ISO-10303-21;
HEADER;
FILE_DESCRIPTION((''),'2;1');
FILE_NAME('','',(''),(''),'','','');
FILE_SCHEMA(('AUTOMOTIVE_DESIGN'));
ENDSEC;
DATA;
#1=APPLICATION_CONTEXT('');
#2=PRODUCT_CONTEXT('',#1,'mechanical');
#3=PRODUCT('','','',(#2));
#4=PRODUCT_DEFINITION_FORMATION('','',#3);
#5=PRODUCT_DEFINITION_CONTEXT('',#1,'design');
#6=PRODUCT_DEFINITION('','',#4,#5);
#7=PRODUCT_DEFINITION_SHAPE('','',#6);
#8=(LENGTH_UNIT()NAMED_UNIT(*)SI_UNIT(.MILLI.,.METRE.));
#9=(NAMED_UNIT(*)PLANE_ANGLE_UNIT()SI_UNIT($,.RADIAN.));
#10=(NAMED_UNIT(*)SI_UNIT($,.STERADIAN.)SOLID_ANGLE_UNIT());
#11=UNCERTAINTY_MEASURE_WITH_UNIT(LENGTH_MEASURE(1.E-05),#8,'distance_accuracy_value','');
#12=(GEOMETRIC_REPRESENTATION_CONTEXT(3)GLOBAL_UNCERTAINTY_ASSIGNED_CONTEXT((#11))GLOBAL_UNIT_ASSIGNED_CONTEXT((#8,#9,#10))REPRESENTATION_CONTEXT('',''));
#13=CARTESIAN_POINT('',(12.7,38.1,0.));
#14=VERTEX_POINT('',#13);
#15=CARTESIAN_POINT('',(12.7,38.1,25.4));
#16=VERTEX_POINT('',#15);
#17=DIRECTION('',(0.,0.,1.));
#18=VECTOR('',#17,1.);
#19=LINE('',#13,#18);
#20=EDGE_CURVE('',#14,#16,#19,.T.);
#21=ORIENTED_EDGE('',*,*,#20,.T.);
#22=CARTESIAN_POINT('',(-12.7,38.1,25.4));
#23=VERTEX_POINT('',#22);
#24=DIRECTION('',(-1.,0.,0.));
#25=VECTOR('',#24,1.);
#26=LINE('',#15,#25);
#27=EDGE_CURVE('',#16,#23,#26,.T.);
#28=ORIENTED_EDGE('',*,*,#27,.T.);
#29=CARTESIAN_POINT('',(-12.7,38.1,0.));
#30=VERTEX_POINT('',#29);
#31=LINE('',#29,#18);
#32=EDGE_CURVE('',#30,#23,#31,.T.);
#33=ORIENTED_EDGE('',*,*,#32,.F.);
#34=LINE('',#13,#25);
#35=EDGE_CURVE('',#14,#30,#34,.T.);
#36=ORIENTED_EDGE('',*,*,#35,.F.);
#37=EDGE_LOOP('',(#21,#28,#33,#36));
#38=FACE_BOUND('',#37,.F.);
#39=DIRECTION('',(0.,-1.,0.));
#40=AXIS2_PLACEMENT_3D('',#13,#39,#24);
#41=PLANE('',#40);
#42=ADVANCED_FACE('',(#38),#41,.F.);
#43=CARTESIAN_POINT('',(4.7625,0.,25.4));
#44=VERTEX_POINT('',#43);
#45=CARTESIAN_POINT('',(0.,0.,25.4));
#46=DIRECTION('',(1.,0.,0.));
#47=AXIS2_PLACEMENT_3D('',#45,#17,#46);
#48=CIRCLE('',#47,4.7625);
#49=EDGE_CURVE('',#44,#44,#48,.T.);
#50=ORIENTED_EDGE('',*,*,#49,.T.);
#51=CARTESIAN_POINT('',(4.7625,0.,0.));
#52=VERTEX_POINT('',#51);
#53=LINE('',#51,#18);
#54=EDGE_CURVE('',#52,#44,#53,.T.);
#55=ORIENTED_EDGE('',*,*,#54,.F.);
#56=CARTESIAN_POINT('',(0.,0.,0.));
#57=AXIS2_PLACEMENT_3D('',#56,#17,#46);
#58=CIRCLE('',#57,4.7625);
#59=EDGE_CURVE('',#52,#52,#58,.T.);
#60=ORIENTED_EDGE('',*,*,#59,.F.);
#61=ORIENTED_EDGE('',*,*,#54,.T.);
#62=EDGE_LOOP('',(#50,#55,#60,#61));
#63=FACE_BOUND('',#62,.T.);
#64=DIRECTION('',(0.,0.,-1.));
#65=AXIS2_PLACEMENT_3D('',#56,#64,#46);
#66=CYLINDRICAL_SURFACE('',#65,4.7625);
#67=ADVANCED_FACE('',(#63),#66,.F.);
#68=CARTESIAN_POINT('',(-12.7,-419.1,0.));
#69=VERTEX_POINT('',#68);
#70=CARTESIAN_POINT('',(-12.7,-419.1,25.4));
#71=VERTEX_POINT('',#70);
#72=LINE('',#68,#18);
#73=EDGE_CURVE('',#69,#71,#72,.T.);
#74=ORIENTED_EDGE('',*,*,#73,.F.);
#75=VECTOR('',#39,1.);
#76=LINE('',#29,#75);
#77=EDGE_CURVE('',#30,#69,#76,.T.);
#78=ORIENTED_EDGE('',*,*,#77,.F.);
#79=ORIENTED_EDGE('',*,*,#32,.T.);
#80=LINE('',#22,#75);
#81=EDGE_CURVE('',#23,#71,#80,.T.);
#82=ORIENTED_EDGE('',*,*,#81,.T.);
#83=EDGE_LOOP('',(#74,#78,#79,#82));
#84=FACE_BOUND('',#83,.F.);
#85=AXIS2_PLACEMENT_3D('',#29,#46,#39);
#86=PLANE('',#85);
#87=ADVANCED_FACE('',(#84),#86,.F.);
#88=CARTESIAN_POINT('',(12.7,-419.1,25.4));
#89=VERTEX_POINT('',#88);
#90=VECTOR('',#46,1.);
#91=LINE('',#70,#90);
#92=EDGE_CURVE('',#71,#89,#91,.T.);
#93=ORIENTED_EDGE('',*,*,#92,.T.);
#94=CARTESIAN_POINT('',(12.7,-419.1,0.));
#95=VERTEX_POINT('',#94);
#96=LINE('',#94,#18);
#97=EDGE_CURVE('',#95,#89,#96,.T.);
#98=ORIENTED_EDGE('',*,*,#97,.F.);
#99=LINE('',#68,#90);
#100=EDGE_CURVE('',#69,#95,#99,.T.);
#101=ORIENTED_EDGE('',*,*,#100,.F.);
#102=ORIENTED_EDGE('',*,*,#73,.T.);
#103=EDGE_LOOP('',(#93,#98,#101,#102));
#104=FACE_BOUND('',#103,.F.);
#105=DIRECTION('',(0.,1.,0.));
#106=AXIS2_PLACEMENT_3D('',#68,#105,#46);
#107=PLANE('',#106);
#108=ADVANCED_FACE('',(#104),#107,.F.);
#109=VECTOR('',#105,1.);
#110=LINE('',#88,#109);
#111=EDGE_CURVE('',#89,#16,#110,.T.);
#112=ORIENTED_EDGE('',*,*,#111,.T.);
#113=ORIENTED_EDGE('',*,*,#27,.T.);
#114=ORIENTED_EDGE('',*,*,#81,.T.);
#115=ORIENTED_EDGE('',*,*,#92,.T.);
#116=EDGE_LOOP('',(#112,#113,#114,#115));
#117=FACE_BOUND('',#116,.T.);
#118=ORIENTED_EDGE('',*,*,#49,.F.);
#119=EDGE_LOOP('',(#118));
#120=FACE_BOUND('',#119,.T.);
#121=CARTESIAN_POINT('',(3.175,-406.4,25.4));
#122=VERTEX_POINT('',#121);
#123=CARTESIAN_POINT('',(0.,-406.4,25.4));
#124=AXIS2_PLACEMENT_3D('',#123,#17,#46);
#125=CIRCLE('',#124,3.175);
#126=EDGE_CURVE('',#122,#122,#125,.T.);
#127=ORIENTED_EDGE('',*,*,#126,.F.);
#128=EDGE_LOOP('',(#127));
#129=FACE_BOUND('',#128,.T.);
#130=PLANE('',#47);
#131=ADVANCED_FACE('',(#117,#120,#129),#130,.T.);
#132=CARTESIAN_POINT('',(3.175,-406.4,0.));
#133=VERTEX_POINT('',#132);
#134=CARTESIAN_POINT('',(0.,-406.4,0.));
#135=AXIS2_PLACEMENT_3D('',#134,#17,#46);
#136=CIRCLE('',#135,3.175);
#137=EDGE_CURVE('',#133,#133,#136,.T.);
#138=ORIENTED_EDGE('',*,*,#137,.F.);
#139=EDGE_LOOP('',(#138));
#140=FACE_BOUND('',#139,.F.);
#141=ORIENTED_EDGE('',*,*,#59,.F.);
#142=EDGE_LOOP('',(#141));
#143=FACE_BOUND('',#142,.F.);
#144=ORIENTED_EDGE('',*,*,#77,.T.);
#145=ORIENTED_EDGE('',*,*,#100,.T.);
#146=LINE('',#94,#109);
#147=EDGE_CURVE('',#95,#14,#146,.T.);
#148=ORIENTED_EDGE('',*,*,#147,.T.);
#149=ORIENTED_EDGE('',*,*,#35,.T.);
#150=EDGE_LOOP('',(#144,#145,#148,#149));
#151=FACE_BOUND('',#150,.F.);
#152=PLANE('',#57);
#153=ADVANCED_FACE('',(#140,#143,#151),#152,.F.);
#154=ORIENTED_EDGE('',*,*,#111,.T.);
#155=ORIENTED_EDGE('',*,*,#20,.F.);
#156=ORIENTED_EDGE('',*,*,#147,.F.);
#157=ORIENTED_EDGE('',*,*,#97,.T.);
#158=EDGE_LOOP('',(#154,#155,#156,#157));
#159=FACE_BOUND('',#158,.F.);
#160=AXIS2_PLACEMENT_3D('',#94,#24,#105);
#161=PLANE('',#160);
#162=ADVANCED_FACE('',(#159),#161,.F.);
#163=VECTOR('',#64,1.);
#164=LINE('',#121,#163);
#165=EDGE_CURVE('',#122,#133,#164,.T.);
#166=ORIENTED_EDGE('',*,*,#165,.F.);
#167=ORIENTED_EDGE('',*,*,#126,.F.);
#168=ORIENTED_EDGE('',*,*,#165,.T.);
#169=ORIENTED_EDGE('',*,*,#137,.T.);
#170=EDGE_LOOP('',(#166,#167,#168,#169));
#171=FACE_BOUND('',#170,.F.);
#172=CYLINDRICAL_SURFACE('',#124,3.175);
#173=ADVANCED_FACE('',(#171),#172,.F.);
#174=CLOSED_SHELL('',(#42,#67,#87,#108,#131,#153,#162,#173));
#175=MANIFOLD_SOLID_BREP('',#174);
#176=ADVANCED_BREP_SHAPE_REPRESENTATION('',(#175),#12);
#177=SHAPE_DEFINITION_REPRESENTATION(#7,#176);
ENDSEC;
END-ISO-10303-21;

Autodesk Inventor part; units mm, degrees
ref_plane "YZ Plane" through (0, 0, 0) normal (1, 0, 0) x (0, 1, 0)
ref_plane "XZ Plane" through (0, 0, 0) normal (0, 1, 0) x (-1, 0, 0)
ref_plane "XY Plane" through (0, 0, 0) normal (0, 0, 1) x (1, 0, 0)
sketch "Sketch1" plane through (0, 0, 0) normal (0, 0, 1) x (1, 0, 0)
  circle A0 centre (0, 0) radius 4.7625
  line L0 (12.7, -419.1) -> (12.7, 38.1)
  line L1 (12.7, 38.1) -> (-12.7, 38.1)
  line L2 (-12.7, 38.1) -> (-12.7, -419.1)
  line L3 (-12.7, -419.1) -> (12.7, -419.1)
  dimension "d0" = 9.525
  dimension "d2" = 12.7
  dimension "d3" = 38.1
  dimension "d4" = 457.2
extrude "Extrusion1" add sketch "Sketch1" along normal blind 25.4
sketch "Sketch2" plane through (0, 0, 25.4) normal (0, 0, 1) x (1, 0, 0)
  line L0 (12.7, -419.1) -> (-12.7, -419.1) projected
  line L1 (12.7, 38.1) -> (12.7, -419.1) projected
  circle A0 centre (0, -406.4) radius 3.175
  dimension "d7" = 12.7
  dimension "d8" = 12.7
  dimension "d9" = 6.35
extrude "Extrusion2" cut sketch "Sketch2" against normal up to next
properties part number "Stinger"
